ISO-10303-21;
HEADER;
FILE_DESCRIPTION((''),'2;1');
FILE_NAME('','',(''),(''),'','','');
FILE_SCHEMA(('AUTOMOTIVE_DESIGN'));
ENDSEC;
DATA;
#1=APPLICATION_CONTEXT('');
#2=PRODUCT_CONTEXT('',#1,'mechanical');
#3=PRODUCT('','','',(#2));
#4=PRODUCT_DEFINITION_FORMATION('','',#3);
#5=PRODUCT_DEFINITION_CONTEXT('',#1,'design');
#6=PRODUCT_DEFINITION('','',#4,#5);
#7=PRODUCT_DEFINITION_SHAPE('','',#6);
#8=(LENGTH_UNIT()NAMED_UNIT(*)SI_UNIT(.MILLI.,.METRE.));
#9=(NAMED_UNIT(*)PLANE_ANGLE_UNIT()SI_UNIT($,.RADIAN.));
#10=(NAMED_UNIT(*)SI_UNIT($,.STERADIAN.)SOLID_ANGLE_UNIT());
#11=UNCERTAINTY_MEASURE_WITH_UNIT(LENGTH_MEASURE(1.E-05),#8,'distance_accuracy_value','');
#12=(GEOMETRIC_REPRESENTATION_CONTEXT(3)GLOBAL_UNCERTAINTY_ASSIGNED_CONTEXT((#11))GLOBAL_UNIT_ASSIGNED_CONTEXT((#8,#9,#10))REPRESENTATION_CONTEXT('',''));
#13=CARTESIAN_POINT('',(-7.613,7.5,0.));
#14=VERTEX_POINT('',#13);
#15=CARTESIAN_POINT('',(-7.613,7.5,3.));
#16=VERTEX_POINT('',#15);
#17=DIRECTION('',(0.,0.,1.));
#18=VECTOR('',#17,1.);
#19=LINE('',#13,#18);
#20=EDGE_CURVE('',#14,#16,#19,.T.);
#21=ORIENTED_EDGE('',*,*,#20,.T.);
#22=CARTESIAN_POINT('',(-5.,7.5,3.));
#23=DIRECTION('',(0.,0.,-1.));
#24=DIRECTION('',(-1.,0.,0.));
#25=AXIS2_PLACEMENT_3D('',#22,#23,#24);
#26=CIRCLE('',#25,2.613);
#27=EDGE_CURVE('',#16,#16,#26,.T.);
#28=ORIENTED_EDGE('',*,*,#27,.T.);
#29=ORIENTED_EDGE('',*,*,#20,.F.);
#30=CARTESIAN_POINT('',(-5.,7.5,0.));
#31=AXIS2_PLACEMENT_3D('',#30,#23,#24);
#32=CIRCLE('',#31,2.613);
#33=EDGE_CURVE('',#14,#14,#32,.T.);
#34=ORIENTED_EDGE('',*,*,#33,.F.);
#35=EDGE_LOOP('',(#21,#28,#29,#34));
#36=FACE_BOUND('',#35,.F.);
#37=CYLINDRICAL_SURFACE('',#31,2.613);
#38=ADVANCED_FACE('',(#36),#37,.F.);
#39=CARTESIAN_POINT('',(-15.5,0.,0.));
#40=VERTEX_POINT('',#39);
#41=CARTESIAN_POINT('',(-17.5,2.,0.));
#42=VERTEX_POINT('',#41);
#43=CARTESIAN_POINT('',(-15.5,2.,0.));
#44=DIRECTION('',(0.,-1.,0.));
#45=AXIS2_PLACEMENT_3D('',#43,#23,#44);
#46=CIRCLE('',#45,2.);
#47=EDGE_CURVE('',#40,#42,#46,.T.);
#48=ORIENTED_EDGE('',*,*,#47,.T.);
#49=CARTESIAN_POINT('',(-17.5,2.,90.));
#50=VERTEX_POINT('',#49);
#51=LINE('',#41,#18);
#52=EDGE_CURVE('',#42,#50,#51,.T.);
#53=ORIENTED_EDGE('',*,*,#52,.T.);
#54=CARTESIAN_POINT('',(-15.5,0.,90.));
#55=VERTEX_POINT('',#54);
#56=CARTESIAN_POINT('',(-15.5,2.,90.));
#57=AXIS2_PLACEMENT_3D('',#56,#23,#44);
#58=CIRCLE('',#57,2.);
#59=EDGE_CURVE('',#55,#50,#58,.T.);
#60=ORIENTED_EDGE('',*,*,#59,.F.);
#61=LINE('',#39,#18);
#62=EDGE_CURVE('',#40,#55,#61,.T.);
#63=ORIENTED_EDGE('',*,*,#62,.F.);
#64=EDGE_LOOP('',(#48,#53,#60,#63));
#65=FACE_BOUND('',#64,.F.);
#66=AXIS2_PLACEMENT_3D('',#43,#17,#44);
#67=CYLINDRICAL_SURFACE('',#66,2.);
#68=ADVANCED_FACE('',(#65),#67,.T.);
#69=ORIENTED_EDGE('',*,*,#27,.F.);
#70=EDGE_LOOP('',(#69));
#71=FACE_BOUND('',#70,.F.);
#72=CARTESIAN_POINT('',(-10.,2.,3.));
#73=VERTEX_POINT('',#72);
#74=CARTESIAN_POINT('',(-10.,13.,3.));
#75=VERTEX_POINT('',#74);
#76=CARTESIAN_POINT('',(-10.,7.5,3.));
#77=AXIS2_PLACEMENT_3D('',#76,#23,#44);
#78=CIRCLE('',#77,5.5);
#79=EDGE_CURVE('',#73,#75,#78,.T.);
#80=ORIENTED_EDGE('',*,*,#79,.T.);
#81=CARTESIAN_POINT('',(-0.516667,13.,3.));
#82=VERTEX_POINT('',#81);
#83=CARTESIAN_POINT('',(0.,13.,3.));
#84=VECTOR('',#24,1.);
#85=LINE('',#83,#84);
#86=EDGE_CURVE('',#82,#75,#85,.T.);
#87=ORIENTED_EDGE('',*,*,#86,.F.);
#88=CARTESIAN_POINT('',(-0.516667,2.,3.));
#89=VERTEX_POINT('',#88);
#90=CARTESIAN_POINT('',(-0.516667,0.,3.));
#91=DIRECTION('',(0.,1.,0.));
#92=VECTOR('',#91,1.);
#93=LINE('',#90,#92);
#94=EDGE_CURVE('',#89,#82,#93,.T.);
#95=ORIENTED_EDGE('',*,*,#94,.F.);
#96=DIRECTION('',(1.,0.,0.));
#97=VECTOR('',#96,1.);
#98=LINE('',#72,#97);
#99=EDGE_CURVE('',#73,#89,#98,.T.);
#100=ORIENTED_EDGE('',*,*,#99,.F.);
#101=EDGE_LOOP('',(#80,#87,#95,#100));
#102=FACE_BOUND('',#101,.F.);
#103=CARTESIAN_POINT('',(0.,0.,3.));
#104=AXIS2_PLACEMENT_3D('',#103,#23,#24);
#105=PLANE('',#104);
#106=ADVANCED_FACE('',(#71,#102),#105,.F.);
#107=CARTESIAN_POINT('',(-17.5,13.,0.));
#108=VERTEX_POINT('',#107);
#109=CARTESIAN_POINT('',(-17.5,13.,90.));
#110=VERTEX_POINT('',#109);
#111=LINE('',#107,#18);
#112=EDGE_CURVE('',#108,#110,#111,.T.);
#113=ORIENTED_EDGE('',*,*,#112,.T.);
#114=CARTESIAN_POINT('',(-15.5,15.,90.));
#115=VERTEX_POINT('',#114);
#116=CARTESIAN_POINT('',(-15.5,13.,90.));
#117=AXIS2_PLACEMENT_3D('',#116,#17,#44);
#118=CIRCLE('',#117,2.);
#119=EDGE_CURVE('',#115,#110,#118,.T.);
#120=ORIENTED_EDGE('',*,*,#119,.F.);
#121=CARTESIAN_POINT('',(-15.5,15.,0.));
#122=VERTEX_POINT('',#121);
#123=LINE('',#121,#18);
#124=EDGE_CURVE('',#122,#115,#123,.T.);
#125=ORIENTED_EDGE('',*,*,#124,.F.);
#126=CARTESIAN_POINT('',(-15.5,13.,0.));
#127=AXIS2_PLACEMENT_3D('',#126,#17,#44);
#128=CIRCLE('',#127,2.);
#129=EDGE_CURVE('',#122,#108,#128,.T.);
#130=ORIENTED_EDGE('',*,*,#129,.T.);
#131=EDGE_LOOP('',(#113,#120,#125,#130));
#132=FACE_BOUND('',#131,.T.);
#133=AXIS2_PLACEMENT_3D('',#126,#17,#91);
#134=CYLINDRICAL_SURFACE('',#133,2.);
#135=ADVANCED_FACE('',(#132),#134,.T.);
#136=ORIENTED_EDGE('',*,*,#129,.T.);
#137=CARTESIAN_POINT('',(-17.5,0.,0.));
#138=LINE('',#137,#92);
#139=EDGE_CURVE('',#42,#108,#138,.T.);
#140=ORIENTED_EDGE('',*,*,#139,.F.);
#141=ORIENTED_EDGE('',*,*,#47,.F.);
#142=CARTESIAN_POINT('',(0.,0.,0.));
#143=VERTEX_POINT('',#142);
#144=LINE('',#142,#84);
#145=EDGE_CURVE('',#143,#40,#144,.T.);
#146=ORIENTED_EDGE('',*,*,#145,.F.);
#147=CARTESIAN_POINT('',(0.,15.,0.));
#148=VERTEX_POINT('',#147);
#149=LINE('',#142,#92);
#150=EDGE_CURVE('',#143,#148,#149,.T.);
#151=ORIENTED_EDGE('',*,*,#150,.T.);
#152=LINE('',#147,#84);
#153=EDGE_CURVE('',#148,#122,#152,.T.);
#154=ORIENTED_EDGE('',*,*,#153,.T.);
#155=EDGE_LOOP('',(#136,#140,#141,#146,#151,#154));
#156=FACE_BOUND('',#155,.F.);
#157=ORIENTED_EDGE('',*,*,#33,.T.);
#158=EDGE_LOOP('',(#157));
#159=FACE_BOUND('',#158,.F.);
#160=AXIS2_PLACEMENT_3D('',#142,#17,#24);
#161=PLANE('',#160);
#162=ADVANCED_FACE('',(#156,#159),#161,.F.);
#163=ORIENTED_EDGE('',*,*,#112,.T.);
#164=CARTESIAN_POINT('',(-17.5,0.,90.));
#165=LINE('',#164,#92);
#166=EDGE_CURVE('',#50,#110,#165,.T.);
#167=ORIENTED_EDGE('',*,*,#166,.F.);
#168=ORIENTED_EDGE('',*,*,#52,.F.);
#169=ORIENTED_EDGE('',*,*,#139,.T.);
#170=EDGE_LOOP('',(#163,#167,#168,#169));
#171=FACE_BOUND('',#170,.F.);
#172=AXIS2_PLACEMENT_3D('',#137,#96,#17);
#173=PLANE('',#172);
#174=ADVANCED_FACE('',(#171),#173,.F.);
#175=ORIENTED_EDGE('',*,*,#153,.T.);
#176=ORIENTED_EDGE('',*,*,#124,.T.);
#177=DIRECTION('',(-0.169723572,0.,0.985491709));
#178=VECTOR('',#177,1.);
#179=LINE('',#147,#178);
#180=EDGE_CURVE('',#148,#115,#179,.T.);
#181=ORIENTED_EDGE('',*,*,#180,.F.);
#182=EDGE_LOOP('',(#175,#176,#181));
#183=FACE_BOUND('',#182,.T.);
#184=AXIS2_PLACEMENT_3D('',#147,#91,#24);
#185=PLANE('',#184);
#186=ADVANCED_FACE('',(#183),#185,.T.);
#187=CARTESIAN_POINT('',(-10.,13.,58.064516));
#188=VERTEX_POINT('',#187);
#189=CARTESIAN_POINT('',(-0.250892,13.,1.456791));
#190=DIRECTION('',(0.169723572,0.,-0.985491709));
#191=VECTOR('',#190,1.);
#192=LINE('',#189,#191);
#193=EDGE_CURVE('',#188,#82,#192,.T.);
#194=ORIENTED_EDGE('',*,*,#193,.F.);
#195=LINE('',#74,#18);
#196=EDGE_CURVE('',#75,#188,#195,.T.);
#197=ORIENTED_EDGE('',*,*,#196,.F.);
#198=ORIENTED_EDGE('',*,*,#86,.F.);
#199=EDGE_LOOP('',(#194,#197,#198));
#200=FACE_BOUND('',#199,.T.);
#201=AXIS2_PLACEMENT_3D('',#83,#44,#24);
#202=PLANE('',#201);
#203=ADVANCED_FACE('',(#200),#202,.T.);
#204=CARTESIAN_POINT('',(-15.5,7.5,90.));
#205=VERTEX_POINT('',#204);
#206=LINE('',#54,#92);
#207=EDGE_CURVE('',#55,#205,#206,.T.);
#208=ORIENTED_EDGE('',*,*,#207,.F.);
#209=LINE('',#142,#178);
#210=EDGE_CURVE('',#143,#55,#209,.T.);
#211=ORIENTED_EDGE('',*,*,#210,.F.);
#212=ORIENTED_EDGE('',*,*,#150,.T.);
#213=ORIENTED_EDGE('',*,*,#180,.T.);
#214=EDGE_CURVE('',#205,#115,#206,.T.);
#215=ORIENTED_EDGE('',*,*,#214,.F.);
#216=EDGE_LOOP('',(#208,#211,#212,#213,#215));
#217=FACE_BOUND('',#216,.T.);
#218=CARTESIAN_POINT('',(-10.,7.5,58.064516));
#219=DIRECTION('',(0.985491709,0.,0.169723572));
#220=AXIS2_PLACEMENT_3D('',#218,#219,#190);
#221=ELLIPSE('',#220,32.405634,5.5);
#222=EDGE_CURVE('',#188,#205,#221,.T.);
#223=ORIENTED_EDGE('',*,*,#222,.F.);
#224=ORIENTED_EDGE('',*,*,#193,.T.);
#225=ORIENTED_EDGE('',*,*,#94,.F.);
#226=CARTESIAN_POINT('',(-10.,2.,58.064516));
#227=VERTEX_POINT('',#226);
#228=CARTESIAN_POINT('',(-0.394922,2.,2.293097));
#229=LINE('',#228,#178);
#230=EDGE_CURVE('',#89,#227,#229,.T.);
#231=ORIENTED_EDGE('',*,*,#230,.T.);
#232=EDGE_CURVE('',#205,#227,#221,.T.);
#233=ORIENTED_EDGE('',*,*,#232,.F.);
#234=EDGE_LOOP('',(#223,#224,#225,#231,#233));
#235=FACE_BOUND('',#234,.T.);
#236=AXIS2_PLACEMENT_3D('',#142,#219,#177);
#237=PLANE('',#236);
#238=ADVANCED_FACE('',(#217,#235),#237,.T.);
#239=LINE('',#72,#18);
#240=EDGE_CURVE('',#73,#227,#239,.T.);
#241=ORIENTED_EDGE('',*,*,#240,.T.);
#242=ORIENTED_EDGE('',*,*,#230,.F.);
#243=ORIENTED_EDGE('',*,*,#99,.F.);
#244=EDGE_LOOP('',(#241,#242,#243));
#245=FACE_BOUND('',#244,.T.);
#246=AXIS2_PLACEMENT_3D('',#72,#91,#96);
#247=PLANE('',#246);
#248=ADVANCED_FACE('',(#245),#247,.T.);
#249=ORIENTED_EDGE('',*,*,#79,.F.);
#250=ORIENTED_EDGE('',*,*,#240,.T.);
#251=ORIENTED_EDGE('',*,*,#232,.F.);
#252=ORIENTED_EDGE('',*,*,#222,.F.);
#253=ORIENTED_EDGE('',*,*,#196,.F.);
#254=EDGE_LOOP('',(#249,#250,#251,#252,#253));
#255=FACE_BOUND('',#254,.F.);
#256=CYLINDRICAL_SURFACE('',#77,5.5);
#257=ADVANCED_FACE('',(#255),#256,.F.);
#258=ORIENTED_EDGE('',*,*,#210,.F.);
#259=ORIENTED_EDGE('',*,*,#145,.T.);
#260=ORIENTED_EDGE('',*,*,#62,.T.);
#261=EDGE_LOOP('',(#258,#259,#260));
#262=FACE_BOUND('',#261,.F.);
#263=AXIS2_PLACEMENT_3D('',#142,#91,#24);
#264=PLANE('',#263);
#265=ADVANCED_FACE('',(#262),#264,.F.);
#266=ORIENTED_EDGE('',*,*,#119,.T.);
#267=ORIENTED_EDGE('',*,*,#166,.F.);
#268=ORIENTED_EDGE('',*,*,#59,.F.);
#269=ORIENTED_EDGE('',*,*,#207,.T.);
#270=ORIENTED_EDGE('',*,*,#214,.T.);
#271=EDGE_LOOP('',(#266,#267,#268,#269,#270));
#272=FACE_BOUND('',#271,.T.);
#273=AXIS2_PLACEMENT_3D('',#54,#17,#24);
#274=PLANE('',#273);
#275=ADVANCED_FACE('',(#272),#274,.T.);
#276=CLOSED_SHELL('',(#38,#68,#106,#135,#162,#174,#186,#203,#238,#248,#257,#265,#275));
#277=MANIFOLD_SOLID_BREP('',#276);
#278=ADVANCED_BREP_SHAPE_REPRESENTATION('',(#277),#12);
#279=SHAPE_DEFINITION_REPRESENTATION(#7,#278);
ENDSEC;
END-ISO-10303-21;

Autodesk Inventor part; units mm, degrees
ref_plane "YZ Plane" through (0, 0, 0) normal (1, 0, 0) x (0, 1, 0)
ref_plane "XZ Plane" through (0, 0, 0) normal (0, 1, 0) x (-1, 0, 0)
sketch "Sketch1" plane through (0, 0, 0) normal (0, 1, 0) x (-1, 0, 0)
  line L0 (0, 0) -> (17.5, 0)
  line L1 (17.5, 0) -> (17.5, 90)
  line L2 (15.5, 90) -> (17.5, 90)
  line L3 (0, 0) -> (15.5, 90)
  dimension "d0" = 90
  dimension "d1" = 17.5
  dimension "d2" = 2
extrude "Extrusion1" add sketch "Sketch1" along normal blind 15
ref_plane "Work Plane1" through (0, 0, 3) normal (0, 0, -1) x (-1, 0, 0)
sketch "Sketch2" plane through (0, 0, 3) normal (0, 0, -1) x (-1, 0, 0)
  line L0 (0, 13) -> (10, 13)
  arc A0 (10, 2) -> (10, 13) centre (10, 7.5) ccw
  line L1 (10, 2) -> (0, 2)
  line L2 (0, 15) -> (0, 13)
  line L3 (0, 2) -> (0, 0)
  line L4 (0, 15) -> (17.5, 15)
  line L5 (0, 0) -> (17.5, 0) projected
  line L6 (17.5, 15) -> (17.5, 0)
  line L7 (17.5, 0) -> (0, 0)
  line L8 (15.5, 7.5) -> (17.5, 7.5) construction
  line L9 (17.5, 0) -> (17.5, 15) construction
  line L10 (0, 2) -> (0, 13)
  line L11 (0, 0) -> (0, 15) projected
  dimension "d5" = 2
extrude "Extrusion2" cut sketch "Sketch2" against normal up to surface (87 mm away) contours L0 A0 L1 L10
sketch "Sketch3" plane through (0, 0, 0) normal (0, 0, -1) x (-1, 0, 0)
  circle A0 centre (5, 7.5) radius 2.613
  line L0 (5, 7.5) -> (0, 7.5) construction
  line L1 (0, 0) -> (0, 15) projected
  dimension "d9" = 5.226
  dimension "d10" = 5
extrude "Extrusion3" cut sketch "Sketch3" against normal blind 10
fillet "Fillet1" radius 2 2 edges at (-17.5, 0, 45) (-17.5, 15, 45)
properties part number "Cable_Chain_Holder"
